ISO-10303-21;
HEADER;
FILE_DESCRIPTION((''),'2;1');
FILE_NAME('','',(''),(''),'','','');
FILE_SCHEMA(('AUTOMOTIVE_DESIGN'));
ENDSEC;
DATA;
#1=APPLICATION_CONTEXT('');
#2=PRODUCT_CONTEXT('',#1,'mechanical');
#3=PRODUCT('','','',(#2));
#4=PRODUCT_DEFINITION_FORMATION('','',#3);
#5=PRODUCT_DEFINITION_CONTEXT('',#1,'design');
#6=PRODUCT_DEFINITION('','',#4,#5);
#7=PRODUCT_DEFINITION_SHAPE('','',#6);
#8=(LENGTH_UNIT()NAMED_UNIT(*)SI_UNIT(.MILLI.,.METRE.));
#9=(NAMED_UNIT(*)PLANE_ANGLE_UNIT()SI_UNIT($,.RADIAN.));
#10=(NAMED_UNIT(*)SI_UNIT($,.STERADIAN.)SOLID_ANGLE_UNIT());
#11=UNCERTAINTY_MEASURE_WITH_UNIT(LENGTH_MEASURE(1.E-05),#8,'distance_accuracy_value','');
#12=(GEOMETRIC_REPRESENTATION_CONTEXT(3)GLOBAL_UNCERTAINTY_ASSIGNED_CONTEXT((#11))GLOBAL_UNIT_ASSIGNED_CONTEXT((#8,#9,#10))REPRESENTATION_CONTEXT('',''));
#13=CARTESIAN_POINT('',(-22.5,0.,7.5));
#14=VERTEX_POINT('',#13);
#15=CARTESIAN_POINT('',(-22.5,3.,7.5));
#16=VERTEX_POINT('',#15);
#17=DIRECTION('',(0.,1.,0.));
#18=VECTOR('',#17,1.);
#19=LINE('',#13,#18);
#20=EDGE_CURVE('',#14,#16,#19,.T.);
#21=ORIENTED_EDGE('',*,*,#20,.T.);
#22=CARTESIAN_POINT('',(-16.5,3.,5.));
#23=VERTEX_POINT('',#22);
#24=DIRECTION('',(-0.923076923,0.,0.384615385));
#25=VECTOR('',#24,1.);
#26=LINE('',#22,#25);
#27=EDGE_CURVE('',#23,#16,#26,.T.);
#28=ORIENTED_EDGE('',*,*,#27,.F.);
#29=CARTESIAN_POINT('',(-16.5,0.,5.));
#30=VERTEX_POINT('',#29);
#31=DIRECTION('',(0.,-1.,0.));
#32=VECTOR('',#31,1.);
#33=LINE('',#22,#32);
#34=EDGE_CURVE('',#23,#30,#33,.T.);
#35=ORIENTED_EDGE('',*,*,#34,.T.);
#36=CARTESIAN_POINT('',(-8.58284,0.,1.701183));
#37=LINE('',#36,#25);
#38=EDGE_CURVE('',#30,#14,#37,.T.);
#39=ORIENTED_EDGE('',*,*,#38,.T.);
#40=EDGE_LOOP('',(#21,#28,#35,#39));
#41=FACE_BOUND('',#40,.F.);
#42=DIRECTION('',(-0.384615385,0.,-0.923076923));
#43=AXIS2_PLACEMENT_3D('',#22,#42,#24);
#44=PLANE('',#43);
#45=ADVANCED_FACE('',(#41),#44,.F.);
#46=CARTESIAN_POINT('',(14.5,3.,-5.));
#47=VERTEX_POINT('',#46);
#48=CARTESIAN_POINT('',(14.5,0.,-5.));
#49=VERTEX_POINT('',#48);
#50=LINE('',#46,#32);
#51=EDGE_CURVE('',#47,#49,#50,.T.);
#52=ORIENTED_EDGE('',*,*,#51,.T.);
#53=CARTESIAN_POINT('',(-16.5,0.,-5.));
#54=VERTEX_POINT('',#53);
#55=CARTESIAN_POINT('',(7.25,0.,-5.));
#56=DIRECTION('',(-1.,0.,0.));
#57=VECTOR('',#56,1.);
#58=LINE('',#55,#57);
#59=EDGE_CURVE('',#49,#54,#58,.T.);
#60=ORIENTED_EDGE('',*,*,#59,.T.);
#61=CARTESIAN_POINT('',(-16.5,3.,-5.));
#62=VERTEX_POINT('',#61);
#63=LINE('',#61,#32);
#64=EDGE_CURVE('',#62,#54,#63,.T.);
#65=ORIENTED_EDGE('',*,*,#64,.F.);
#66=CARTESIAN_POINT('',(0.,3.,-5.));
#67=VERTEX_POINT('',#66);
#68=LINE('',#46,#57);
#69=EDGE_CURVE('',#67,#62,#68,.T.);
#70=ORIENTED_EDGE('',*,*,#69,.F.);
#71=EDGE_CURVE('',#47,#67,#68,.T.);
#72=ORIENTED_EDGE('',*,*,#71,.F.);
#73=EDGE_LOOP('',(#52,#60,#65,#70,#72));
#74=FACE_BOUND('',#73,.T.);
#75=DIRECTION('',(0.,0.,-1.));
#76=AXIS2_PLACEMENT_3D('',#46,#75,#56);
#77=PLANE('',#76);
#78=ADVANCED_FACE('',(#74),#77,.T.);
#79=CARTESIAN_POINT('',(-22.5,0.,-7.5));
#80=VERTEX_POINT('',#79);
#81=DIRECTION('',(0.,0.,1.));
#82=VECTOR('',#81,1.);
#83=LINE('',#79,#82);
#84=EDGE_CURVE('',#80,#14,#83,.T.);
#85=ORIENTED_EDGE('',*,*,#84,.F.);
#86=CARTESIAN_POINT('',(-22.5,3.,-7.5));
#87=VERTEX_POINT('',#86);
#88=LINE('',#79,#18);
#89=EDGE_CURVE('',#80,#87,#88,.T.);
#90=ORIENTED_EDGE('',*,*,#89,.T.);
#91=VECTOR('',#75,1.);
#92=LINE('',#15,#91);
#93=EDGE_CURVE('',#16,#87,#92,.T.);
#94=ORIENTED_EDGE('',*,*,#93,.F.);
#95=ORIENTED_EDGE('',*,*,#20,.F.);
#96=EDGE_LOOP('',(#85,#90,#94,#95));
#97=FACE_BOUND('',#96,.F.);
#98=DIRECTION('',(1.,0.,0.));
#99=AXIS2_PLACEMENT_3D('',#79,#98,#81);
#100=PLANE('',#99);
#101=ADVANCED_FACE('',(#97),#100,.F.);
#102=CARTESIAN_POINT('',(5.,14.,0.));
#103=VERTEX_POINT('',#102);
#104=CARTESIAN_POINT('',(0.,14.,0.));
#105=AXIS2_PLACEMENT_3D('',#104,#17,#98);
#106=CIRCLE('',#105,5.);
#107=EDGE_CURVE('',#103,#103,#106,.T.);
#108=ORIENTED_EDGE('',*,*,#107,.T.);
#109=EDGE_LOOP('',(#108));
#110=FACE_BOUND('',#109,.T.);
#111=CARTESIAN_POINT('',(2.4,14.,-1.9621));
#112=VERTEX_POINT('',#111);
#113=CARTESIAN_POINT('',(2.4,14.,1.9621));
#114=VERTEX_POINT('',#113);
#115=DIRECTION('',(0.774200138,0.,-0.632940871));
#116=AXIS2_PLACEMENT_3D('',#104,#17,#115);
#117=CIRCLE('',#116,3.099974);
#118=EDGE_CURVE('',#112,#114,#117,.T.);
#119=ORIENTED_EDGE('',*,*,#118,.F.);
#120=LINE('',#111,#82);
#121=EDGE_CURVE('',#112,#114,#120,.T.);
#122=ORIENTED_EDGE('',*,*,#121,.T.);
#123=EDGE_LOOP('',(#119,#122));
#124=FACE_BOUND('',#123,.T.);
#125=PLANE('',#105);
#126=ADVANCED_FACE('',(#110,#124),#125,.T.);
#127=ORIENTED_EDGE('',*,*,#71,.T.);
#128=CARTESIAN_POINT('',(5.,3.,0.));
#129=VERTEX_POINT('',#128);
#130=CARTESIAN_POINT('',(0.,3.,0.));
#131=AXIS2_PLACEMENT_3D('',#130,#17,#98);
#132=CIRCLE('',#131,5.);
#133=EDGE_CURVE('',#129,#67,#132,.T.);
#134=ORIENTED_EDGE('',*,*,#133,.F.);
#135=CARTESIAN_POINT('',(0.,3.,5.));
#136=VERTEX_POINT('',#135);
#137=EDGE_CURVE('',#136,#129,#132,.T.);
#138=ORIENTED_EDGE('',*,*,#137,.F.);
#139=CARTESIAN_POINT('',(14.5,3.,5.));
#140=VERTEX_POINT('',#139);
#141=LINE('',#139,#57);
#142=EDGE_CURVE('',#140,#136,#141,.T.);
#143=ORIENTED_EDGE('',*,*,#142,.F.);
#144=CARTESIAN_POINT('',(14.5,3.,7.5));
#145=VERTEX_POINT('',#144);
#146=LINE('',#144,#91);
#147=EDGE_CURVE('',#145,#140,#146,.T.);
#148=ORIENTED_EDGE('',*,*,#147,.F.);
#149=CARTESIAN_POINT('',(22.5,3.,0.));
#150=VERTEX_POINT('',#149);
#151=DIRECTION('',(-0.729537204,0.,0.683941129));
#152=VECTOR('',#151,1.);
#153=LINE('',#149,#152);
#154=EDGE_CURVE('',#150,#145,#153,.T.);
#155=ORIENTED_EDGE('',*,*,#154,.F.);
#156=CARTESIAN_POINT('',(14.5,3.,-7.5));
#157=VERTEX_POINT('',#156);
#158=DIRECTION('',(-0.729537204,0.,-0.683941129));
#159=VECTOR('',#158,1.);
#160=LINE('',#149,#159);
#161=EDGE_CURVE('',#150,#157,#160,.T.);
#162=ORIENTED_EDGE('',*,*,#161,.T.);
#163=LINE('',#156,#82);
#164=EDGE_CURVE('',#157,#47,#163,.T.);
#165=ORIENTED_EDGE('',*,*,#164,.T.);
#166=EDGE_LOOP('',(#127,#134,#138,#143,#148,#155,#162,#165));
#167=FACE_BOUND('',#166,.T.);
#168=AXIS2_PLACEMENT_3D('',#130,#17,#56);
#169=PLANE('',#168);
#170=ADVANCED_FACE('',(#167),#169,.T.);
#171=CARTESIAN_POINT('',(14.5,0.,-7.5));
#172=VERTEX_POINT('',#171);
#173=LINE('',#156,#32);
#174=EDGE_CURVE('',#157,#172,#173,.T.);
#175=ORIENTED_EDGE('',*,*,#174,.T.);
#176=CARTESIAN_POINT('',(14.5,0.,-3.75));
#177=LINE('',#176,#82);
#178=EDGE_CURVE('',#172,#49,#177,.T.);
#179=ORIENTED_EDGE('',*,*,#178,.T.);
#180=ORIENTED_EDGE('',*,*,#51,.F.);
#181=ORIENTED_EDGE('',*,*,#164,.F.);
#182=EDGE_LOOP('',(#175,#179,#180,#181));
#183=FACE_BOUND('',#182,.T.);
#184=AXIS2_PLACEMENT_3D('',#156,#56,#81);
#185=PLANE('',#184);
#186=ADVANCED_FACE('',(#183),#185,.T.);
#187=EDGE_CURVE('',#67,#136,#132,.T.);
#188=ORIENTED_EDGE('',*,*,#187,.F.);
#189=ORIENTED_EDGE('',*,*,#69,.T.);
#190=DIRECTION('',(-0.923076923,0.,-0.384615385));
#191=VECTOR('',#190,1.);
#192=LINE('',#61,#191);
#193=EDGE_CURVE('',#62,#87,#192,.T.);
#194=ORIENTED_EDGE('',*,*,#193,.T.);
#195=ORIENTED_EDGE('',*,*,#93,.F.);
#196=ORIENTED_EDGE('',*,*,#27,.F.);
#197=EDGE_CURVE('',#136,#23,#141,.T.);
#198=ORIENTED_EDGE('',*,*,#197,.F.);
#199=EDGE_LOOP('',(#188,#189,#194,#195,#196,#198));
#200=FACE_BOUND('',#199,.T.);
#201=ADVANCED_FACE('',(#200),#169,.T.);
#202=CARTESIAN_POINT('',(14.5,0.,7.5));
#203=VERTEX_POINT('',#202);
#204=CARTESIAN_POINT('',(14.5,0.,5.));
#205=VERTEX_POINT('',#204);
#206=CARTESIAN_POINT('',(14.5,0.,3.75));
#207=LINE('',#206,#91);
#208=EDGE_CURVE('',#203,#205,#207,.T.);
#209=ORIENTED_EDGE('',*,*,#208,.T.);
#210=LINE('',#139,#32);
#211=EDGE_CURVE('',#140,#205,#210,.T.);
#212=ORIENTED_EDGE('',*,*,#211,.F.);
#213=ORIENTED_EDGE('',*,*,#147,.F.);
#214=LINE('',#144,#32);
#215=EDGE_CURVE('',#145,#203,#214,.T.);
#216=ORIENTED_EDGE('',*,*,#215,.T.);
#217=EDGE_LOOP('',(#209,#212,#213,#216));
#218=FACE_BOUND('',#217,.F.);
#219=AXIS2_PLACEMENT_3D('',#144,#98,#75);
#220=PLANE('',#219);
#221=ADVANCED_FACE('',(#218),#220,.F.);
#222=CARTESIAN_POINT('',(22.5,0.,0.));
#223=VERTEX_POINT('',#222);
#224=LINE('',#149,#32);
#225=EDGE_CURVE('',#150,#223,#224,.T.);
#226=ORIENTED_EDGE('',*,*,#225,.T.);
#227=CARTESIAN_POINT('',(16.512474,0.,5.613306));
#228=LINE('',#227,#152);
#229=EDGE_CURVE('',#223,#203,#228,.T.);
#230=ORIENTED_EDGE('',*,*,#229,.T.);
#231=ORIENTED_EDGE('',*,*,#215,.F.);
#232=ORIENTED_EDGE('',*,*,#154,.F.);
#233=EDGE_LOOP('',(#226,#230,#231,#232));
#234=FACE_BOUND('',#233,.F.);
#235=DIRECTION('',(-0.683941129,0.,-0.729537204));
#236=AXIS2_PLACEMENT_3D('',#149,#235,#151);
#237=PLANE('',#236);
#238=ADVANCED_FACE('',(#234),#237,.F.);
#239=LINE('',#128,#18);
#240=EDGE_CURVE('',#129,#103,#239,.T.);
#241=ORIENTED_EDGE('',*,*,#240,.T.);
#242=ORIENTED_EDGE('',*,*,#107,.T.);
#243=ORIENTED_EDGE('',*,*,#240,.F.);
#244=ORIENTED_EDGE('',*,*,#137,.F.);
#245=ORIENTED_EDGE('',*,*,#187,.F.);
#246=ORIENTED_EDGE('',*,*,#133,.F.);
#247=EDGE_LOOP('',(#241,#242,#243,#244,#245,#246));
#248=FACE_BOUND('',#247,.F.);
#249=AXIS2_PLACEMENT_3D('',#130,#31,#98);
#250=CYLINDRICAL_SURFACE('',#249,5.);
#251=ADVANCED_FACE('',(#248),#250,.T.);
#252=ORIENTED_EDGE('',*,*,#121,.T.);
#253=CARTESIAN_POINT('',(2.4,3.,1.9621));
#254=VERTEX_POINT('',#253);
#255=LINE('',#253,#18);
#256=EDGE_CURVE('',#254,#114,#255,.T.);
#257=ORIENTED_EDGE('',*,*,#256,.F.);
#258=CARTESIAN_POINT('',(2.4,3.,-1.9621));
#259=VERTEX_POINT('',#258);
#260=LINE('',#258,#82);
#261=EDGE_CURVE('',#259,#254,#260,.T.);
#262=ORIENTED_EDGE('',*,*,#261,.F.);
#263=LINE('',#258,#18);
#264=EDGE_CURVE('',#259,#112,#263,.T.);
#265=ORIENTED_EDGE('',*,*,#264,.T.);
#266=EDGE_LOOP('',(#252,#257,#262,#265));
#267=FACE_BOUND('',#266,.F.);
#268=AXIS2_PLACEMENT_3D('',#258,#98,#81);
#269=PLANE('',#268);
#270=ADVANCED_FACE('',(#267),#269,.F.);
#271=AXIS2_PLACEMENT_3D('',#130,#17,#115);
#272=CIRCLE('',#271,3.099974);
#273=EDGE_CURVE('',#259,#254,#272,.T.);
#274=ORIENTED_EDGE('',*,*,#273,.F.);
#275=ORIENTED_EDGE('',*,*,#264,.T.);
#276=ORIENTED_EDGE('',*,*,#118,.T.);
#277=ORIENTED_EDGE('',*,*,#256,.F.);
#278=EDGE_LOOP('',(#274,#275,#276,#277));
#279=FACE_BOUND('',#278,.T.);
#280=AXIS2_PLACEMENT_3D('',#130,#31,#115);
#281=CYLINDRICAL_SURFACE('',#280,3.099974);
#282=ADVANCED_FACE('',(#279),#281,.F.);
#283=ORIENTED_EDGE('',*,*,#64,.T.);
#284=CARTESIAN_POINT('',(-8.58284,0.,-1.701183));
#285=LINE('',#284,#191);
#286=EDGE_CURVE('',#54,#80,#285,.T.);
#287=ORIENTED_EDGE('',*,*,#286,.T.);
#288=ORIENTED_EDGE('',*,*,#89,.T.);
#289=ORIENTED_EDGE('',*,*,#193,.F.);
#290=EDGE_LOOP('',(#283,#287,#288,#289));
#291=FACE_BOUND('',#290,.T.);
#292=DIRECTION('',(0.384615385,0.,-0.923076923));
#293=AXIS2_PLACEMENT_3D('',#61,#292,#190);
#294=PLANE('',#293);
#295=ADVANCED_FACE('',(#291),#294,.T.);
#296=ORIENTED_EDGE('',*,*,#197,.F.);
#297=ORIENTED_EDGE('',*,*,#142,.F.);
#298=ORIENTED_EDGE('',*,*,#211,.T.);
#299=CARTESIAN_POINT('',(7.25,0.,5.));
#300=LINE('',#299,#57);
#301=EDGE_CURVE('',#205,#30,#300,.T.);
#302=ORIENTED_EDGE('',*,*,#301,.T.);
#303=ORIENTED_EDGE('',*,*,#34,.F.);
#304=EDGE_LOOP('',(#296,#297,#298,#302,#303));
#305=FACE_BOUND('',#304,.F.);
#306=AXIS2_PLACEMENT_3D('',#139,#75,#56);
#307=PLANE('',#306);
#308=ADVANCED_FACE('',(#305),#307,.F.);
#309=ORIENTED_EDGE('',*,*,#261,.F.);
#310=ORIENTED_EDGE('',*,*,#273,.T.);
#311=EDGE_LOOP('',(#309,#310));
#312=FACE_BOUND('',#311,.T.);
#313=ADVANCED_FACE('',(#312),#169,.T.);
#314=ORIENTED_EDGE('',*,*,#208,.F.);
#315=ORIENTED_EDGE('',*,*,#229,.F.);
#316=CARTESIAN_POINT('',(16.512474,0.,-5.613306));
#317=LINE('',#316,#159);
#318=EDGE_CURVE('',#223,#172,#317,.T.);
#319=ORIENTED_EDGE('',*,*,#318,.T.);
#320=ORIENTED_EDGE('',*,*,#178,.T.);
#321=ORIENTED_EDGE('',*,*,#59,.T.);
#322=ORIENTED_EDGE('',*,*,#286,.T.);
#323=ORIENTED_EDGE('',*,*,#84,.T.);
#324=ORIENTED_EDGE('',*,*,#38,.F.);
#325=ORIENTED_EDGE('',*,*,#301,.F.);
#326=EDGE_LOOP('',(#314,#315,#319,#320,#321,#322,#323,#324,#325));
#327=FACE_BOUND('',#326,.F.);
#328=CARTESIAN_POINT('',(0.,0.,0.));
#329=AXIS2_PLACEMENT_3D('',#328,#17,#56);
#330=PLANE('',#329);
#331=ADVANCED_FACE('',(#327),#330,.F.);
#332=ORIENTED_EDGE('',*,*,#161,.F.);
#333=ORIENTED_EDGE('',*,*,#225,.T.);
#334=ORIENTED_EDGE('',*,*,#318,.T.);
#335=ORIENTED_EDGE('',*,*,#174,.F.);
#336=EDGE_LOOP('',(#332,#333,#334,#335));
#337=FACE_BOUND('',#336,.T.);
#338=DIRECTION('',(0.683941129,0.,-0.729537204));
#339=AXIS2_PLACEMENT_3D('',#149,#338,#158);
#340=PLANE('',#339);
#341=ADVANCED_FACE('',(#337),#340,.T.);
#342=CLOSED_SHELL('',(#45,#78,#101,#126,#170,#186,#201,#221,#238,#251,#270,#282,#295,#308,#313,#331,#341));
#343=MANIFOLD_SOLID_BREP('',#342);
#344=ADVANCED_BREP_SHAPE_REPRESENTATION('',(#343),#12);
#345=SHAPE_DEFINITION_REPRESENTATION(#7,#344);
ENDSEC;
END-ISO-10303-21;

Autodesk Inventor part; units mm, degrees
ref_plane "YZ Plane" through (0, 0, 0) normal (1, 0, 0) x (0, 1, 0)
ref_plane "XZ Plane" through (0, 0, 0) normal (0, 1, 0) x (-1, 0, 0)
ref_plane "XY Plane" through (0, 0, 0) normal (0, 0, 1) x (1, 0, 0)
sketch "Sketch1" plane through (0, 0, 0) normal (0, 1, 0) x (-1, 0, 0)
  line L0 (22.5, -7.5) -> (22.5, 7.5)
  line L1 (22.5, 7.5) -> (-22.5, 7.5)
  line L2 (-22.5, -7.5) -> (22.5, -7.5)
  line L3 (-30, 0) -> (22.5, 0)
  line L4 (-22.5, -7.5) -> (-22.5, 7.5)
  line L5 (0, -7.5) -> (0, 7.5)
  line L6 (-22.5, -7.5) -> (-22.5, 7.5)
  point P0 (0, 0)
  dimension "d0" = 15
  dimension "d1" = 45
extrude "Extrusion1" add sketch "Sketch1" along normal blind 3
sketch "Sketch2" plane through (0, 3, 0) normal (0, 1, 0) x (1, 0, 0)
  circle A0 centre (0, 0) radius 5
  arc A1 (2.4, 1.9621) -> (2.4, -1.9621) centre (0, 0) ccw
  line L0 (2.4, 1.9621) -> (2.4, -1.9621)
  dimension "d4" = 10
  dimension "d5" = 3.1
  dimension "d6" = 2.4
extrude "Extrusion2" add sketch "Sketch2" along normal blind 11
sketch "Sketch3" plane through (0, 3, 0) normal (0, 1, 0) x (1, 0, 0)
  line L0 (22.5, -7.5) -> (22.5, 7.5) projected
  line L1 (22.5, 0) -> (14.5, 7.5)
  line L2 (22.5, 7.5) -> (-22.5, 7.5) projected
  line L3 (14.5, 7.5) -> (14.5, 5)
  line L4 (14.5, 5) -> (-16.5, 5)
  line L5 (-22.5, 7.5) -> (-22.5, -7.5) projected
  line L6 (-16.5, 5) -> (-22.5, 7.5)
  line L7 (-22.5, 7.5) -> (-22.5, -7.5)
  line L8 (-22.5, 0) -> (22.5, 0)
  line L9 (22.5, 0) -> (14.5, -7.5)
  line L10 (-22.5, -7.5) -> (22.5, -7.5) projected
  line L11 (14.5, -7.5) -> (14.5, -5)
  line L12 (14.5, -5) -> (-16.5, -5)
  line L13 (-16.5, -5) -> (-22.5, -7.5)
  point P0 (0, 0)
  dimension "d9" = 2.5
  dimension "d10" = 8
  dimension "d11" = 6
  dimension "d14" = 6
  dimension "d15" = 2.5
  dimension "d16" = 8
extrude "Extrusion3" cut sketch "Sketch3" against normal through all contours L10 L9 L0 | L1 L2 L0 | L10 L13 L12 L11 | L3 L4 L6 L2
properties part number "Motor_arrow_v02"
